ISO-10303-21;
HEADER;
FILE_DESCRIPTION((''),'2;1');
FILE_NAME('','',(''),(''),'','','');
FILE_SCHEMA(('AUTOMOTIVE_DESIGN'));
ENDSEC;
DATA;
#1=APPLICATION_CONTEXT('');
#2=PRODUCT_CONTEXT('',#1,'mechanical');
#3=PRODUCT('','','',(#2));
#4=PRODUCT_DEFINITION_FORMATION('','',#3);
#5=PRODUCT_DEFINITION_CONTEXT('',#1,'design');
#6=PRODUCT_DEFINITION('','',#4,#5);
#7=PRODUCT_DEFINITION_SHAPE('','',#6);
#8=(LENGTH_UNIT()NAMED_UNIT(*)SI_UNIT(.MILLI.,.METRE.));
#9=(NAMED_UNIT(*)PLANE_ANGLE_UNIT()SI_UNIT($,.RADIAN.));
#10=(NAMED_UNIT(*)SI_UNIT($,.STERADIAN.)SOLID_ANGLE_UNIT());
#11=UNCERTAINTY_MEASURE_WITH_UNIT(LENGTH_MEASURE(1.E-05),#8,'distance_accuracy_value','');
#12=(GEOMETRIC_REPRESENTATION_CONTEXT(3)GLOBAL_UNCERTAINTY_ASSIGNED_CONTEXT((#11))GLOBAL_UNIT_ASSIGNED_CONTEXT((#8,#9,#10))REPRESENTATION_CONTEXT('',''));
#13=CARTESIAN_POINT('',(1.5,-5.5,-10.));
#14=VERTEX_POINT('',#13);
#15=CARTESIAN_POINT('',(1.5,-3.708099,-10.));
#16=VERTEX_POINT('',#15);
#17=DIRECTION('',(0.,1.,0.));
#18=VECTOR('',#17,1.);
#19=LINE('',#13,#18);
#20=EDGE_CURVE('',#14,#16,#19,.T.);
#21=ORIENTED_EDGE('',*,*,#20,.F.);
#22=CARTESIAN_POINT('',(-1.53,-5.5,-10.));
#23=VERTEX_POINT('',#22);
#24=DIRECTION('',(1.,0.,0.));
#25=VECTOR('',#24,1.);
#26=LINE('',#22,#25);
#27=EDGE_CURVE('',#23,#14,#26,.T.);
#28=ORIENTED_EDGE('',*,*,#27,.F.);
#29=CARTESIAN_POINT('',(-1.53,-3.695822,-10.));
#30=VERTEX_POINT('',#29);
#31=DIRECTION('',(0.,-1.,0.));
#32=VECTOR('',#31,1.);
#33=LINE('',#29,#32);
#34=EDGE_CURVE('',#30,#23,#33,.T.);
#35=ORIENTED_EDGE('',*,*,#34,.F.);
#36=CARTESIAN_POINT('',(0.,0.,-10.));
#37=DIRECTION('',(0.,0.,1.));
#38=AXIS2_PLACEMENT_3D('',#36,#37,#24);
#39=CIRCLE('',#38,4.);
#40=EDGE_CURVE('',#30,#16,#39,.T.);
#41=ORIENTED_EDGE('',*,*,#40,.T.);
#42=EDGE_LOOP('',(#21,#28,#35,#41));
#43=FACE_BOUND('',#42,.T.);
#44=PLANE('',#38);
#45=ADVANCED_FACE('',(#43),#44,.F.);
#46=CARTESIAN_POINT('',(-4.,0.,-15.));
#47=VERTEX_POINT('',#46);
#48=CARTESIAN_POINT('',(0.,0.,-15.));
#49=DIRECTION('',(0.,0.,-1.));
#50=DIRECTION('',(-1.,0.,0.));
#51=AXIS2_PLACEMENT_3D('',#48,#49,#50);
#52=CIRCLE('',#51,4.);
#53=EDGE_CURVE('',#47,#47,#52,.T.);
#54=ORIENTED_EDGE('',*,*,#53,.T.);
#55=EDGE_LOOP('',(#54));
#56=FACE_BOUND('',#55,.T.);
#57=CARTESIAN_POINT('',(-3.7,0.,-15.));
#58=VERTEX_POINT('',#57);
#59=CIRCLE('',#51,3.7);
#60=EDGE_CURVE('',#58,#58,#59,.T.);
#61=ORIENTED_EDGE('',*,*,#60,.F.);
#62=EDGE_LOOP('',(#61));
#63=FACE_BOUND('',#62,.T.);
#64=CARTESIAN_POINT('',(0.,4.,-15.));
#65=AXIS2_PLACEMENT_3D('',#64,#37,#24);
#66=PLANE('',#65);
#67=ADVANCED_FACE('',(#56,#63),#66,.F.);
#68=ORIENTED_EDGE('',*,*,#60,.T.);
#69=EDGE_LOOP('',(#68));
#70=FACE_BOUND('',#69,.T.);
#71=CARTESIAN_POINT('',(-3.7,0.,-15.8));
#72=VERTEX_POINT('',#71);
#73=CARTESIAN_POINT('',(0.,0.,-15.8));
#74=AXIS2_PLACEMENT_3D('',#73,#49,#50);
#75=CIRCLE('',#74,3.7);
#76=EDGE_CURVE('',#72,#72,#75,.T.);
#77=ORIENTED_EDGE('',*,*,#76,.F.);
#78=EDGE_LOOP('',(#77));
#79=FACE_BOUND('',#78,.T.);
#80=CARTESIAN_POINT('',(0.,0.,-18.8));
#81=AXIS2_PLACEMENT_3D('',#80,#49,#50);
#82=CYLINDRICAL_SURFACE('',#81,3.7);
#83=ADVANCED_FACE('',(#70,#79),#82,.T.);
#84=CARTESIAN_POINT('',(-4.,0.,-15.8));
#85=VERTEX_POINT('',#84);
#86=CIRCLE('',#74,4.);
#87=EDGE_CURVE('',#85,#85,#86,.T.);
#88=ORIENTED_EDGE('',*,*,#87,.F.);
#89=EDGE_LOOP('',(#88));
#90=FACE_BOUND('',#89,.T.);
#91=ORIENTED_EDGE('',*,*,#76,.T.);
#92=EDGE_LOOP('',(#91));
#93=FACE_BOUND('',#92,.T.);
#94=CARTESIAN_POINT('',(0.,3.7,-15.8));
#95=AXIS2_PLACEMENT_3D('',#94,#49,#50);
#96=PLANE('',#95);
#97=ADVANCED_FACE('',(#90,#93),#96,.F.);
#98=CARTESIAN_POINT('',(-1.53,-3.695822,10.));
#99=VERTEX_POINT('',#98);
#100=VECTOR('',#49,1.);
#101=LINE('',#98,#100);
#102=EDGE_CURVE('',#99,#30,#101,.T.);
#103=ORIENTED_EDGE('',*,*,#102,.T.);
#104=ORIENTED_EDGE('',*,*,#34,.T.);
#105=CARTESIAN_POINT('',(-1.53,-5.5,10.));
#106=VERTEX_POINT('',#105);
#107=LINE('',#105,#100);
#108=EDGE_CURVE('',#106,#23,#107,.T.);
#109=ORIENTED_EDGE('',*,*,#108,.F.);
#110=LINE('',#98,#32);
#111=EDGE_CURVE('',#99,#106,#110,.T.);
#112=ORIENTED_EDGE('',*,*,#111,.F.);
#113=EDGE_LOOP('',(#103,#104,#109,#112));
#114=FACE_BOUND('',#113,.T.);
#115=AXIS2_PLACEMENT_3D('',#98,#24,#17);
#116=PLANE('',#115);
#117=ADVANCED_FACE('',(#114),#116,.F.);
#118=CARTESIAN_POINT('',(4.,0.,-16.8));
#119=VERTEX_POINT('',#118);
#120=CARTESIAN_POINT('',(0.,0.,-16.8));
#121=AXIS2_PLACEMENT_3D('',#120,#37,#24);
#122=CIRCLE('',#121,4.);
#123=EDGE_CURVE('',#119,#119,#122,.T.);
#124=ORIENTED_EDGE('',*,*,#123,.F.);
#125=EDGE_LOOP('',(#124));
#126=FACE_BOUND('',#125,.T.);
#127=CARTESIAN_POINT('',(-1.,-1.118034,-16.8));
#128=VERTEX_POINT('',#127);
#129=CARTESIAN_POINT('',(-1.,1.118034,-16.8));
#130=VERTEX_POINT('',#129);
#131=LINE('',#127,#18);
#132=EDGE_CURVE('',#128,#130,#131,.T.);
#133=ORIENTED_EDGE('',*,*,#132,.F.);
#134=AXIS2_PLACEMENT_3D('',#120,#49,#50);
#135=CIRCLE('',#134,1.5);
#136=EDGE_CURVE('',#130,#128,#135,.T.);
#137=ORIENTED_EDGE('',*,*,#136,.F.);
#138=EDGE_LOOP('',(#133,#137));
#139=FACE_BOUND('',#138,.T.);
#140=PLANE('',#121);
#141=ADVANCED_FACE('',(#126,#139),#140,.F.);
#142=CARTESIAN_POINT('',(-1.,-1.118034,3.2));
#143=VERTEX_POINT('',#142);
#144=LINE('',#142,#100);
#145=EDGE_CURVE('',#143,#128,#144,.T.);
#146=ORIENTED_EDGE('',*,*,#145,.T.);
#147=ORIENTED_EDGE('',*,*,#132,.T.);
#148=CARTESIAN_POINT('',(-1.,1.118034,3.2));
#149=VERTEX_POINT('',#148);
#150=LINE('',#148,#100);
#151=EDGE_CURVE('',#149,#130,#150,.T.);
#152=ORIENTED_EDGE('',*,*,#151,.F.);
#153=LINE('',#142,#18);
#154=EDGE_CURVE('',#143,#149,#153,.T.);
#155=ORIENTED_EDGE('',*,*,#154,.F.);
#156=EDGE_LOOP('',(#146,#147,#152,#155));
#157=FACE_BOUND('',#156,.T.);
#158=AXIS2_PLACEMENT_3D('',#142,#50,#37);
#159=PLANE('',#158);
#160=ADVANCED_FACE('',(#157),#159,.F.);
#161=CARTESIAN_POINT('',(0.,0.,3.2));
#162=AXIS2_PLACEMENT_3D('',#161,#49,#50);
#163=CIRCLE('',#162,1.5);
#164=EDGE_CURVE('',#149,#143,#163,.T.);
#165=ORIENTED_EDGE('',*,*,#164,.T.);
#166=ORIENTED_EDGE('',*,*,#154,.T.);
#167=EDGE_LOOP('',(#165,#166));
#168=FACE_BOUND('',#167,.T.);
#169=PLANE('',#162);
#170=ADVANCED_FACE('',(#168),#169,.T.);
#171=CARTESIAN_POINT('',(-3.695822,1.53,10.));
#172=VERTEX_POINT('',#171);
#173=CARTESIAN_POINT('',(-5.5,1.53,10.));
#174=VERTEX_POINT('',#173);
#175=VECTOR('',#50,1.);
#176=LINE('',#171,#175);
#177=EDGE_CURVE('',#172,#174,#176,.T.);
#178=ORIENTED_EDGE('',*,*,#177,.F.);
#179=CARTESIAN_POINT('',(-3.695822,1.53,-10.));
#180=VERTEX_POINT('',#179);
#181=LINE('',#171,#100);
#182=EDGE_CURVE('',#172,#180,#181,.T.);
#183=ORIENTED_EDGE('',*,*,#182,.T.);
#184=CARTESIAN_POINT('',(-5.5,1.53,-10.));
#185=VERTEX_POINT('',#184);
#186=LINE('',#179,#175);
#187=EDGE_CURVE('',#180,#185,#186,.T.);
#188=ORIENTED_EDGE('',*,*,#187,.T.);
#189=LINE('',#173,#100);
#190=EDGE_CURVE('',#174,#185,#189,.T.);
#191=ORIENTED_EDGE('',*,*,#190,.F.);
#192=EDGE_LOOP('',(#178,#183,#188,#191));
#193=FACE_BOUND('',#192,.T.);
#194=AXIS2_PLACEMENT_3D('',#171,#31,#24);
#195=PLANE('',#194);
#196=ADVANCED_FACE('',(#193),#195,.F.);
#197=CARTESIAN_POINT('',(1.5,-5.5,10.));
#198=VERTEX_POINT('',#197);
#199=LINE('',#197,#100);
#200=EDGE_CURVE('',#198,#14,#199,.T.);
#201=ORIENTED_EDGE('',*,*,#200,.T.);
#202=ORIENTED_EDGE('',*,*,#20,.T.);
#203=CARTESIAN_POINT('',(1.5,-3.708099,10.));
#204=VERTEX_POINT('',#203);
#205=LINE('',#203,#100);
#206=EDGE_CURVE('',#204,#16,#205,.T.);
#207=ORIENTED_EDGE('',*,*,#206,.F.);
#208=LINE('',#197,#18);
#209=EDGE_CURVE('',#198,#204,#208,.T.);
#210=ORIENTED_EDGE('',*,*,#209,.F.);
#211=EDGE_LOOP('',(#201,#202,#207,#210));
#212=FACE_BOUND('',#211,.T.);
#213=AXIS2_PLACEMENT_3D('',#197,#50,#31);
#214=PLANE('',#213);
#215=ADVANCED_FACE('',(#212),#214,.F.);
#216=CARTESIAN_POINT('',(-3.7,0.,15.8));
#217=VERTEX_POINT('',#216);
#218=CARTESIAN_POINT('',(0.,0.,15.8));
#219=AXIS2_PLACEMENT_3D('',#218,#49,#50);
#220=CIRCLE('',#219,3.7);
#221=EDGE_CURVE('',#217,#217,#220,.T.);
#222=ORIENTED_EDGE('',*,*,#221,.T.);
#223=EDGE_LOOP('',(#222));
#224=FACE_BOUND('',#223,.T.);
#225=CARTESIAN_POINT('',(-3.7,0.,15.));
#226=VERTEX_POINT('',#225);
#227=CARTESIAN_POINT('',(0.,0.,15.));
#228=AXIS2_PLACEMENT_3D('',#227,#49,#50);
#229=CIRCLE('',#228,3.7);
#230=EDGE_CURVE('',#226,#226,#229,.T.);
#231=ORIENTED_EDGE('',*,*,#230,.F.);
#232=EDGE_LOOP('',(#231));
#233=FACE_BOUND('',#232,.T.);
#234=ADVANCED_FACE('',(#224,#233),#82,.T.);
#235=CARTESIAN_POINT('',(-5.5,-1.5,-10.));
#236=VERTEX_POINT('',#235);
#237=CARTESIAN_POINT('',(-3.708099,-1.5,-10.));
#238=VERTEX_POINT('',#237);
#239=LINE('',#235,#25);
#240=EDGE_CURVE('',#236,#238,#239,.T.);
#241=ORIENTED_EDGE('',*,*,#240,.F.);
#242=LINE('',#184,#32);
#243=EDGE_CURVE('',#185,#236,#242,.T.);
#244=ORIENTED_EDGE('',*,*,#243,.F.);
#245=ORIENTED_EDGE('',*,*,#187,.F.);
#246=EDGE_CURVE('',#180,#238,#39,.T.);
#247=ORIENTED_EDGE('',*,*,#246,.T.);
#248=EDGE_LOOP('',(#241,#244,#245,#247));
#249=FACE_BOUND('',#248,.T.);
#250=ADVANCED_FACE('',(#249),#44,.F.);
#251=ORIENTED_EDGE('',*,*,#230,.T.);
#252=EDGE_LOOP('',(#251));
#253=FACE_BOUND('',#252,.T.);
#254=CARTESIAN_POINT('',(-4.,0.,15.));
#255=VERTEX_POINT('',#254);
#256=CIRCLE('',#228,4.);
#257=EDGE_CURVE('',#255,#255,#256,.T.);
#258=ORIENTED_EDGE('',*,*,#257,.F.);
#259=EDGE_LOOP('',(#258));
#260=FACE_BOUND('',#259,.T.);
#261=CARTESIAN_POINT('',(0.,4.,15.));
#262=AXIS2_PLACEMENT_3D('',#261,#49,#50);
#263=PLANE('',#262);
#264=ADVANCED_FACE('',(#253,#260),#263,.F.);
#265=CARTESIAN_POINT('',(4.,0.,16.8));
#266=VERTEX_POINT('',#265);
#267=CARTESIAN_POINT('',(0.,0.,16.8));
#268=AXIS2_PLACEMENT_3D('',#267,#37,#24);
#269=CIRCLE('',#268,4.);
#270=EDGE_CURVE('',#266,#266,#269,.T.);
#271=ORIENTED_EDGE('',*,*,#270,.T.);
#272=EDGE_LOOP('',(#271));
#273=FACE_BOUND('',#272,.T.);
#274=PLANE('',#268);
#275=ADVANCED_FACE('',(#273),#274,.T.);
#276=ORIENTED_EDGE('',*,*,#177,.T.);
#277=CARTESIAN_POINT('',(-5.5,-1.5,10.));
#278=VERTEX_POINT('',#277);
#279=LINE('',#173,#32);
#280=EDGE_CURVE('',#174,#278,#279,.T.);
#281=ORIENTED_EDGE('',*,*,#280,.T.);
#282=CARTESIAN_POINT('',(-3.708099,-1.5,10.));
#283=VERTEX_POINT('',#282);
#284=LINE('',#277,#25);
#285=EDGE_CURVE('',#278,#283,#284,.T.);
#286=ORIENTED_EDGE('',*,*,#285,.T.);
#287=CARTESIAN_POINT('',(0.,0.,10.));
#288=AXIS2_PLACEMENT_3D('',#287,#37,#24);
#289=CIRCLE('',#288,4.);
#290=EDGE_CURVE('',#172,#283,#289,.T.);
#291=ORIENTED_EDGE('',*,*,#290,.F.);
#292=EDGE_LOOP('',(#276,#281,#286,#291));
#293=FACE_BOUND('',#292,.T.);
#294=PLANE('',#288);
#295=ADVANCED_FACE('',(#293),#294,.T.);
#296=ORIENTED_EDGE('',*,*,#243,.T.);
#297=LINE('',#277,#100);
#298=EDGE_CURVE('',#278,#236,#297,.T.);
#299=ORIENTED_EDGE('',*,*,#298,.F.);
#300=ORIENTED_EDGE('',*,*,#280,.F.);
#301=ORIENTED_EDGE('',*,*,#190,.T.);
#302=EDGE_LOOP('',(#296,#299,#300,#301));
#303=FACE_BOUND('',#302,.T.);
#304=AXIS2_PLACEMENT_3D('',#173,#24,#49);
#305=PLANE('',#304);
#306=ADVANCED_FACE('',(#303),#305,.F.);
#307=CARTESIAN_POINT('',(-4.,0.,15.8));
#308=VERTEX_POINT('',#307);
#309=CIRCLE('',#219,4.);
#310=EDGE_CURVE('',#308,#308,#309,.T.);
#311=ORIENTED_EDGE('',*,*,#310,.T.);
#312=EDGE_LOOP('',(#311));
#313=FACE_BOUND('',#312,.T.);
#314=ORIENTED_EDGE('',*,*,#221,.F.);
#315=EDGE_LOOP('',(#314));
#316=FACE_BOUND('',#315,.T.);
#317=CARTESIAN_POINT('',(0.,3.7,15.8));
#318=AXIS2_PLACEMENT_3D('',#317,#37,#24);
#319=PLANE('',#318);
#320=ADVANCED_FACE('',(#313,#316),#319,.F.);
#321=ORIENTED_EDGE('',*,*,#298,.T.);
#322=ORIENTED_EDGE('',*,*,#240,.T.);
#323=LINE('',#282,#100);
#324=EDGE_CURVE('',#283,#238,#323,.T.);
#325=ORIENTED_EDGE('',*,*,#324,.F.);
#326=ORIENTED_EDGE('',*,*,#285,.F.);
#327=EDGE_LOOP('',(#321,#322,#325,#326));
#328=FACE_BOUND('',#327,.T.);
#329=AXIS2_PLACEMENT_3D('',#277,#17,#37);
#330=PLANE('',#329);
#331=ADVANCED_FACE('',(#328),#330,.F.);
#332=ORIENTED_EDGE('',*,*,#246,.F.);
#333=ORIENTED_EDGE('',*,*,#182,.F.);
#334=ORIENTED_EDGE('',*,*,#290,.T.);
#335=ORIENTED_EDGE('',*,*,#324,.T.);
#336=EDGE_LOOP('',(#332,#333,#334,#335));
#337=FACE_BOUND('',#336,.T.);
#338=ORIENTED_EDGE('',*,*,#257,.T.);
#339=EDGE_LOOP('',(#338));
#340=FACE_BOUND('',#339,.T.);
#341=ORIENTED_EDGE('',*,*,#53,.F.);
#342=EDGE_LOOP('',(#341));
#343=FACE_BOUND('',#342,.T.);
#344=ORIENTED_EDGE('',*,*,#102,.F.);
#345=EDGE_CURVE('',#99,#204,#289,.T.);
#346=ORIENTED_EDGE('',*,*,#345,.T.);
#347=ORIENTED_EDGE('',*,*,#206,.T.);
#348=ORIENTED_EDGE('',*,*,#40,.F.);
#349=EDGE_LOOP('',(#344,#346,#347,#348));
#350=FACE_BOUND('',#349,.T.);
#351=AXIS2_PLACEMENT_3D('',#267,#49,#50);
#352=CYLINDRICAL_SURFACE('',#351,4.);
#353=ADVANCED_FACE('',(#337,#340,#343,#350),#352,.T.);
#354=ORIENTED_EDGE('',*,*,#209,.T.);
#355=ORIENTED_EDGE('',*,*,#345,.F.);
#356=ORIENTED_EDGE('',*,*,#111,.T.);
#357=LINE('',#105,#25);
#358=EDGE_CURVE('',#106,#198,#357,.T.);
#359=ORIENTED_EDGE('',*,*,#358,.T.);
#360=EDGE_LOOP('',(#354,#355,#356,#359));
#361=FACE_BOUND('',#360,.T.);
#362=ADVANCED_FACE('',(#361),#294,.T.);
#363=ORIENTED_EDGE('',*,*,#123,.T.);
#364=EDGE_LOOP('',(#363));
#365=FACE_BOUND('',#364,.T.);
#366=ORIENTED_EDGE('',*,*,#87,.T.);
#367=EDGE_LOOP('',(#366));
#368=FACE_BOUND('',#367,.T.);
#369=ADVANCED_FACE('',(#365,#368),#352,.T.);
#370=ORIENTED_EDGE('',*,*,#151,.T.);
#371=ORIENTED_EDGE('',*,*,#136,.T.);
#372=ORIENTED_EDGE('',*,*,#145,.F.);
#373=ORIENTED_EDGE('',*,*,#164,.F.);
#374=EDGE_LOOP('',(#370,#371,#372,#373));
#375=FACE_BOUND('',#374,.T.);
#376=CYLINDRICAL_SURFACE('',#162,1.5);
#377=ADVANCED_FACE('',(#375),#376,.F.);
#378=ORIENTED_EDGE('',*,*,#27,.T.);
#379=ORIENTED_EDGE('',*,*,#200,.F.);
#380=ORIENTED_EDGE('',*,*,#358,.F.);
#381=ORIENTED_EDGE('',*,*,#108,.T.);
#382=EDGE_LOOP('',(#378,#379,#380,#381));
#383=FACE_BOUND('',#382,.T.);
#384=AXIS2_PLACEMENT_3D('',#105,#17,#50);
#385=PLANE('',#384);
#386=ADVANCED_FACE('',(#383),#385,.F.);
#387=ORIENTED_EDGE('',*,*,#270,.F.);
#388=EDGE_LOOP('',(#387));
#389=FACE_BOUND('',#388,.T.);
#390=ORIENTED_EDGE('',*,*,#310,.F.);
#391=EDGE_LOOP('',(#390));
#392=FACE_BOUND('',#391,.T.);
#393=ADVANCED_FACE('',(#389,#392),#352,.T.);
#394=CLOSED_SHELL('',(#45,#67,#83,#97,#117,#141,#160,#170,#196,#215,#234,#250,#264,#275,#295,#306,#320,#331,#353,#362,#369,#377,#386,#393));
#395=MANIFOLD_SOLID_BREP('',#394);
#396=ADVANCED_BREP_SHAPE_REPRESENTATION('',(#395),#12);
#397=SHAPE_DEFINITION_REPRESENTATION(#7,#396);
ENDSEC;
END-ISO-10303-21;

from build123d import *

# Parameters (mm, degrees)
SKETCH_1_R          = 4
EXTRUDE_1_DEPTH     = 16.8
SKETCH_2_W          = 0.8
SKETCH_2_H          = 0.3
EXTRUDE_2_DEPTH     = 10
CUT_EXTRUDE_1_DEPTH = 20


with BuildPart() as part:
    # 草图1 → 凸台-拉伸1 (new body, symmetric)
    with BuildSketch(Plane.XY):
        Circle(SKETCH_1_R)
    extrude(amount=EXTRUDE_1_DEPTH, both=True)

    # 草图2 → 切除-旋转1 (revolve, cut)
    with BuildSketch(Plane(origin=(0, 0, 0), x_dir=(0, 0, -1), z_dir=(1, 0, 0))):
        with Locations((-15.4, 3.85)):
            Rectangle(SKETCH_2_W, SKETCH_2_H)
        with Locations((15.4, 3.85)):
            Rectangle(SKETCH_2_W, SKETCH_2_H)
    revolve(axis=Axis((0, 0, -18.8), (0, 0, 1)), mode=Mode.SUBTRACT)

    # 草图3 → 凸台-拉伸2 (add, symmetric)
    with BuildSketch(Plane(origin=(0, 0, 0), x_dir=(-1, 0, 0), z_dir=(0, 0, 1))):
        with BuildLine():
            Line((5.5, 1.5), (3.708099, 1.5))
            ThreePointArc((3.708099, 1.5), (2.839864, 2.816943), (1.53, 3.695822))
            Line((1.53, 3.695822), (1.53, 5.5))
            Line((1.53, 5.5), (-1.5, 5.5))
            Line((-1.5, 5.5), (-1.5, 3.708099))
            ThreePointArc((-1.5, 3.708099), (-2.839864, -2.816943), (3.695822, -1.53))
            Line((3.695822, -1.53), (5.5, -1.53))
            Line((5.5, -1.53), (5.5, 1.5))
        make_face()
    extrude(amount=EXTRUDE_2_DEPTH, both=True)

    # 草图4 → 切除-拉伸1 (cut)
    with BuildSketch(Plane(origin=(0, 0, -16.8), x_dir=(-1, 0, 0), z_dir=(0, 0, -1))):
        with BuildLine():
            Line((1, -1.118034), (1, 1.118034))
            ThreePointArc((1, 1.118034), (-1.5, 0), (1, -1.118034))
        make_face()
    extrude(amount=-CUT_EXTRUDE_1_DEPTH, mode=Mode.SUBTRACT)


solid = part.part
